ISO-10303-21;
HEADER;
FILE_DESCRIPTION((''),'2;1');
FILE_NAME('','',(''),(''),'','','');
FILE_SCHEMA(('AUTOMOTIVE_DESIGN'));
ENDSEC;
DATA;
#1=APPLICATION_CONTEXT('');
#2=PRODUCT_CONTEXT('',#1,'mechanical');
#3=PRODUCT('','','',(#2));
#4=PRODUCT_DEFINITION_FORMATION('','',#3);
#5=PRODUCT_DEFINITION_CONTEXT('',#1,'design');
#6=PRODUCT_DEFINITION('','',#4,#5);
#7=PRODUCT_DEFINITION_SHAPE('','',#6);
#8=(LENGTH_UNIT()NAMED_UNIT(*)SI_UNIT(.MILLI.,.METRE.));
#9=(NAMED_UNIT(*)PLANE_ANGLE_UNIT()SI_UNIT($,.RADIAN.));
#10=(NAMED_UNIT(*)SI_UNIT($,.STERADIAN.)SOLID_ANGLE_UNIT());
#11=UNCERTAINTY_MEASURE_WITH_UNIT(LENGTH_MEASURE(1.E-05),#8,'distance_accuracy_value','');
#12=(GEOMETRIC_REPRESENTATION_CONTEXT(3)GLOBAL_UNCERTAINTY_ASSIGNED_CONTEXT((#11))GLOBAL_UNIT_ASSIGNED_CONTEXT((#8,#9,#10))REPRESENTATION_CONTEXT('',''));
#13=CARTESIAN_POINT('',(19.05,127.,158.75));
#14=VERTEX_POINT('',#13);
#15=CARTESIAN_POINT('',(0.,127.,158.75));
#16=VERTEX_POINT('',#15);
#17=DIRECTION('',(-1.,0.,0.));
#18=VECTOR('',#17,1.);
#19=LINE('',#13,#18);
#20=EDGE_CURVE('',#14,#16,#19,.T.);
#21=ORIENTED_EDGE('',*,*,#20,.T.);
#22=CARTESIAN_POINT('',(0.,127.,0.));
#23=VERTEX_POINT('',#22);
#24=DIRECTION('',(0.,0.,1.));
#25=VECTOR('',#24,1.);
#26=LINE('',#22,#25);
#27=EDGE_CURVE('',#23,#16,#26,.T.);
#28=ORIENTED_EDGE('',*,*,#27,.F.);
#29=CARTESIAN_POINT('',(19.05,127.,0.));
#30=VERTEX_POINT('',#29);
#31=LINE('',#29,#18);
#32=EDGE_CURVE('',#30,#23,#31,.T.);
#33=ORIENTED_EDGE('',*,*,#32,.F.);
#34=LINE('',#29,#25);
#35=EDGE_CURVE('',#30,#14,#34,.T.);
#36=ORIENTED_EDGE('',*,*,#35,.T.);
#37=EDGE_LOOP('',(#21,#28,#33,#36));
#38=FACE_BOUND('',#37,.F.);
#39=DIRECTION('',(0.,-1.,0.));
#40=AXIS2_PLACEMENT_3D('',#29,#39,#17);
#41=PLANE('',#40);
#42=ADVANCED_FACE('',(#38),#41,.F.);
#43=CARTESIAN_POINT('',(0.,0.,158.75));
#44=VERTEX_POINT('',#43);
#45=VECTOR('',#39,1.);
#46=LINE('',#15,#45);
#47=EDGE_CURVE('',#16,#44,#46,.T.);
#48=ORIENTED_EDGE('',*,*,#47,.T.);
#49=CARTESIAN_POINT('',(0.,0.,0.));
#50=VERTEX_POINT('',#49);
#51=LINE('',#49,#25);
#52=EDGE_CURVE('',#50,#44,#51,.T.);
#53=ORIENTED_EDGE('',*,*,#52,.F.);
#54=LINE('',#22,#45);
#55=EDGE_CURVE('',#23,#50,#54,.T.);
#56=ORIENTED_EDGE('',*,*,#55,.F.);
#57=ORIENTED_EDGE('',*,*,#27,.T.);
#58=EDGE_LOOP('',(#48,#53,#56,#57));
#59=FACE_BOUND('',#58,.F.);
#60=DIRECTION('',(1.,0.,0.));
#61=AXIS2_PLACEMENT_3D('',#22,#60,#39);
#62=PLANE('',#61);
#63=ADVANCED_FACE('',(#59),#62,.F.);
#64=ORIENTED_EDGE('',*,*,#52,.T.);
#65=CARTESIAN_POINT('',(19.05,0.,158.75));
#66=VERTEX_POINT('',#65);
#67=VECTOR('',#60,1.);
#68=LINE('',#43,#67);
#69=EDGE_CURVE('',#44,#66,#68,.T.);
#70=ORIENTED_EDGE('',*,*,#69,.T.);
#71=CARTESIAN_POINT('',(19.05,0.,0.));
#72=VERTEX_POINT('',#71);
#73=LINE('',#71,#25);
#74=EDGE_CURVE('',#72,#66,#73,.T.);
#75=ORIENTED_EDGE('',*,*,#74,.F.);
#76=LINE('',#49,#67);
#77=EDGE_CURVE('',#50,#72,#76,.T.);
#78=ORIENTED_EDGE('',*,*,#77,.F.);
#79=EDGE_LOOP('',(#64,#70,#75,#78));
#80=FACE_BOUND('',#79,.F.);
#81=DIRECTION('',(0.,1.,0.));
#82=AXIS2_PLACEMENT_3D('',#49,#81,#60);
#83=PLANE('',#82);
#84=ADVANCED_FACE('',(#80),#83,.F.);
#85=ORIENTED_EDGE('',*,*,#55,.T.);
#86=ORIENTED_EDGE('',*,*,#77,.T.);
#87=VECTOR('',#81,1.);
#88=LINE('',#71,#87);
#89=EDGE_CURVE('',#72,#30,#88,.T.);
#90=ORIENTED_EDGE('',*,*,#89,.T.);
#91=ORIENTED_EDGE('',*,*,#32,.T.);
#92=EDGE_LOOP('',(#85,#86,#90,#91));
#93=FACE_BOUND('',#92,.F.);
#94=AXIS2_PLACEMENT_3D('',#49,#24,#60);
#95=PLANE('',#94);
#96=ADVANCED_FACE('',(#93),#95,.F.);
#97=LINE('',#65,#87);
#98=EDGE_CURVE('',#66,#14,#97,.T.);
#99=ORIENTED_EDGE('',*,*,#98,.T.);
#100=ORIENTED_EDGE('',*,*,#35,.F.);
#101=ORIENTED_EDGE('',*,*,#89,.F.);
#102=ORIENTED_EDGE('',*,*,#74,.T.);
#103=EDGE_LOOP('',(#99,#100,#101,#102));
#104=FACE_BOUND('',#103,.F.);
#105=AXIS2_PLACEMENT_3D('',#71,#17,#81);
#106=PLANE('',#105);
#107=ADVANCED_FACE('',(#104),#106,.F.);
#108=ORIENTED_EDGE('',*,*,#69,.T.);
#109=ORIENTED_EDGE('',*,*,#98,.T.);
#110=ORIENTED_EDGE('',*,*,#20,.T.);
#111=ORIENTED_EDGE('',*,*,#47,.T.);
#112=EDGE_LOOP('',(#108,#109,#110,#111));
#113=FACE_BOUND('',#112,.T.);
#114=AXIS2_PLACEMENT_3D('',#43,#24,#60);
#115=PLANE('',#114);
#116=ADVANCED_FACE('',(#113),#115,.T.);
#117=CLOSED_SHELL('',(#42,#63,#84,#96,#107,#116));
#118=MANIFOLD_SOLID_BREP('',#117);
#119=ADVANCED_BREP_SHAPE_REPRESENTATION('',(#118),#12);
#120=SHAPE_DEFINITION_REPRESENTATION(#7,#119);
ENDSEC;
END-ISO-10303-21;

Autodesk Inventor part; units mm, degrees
ref_plane "YZ Plane" through (0, 0, 0) normal (1, 0, 0) x (0, 1, 0)
ref_plane "XZ Plane" through (0, 0, 0) normal (0, 1, 0) x (-1, 0, 0)
ref_plane "XY Plane" through (0, 0, 0) normal (0, 0, 1) x (1, 0, 0)
sketch "Sketch1" plane through (0, 0, 0) normal (0, 0, 1) x (1, 0, 0)
  line L0 (0, 0) -> (19.05, 0)
  line L1 (19.05, 0) -> (19.05, 127)
  line L2 (19.05, 127) -> (0, 127)
  line L3 (0, 127) -> (0, 0)
  dimension "d0" = 19.05
  dimension "d1" = 127
extrude "Extrusion1" add sketch "Sketch1" along normal blind 158.75
properties part number "D1"
